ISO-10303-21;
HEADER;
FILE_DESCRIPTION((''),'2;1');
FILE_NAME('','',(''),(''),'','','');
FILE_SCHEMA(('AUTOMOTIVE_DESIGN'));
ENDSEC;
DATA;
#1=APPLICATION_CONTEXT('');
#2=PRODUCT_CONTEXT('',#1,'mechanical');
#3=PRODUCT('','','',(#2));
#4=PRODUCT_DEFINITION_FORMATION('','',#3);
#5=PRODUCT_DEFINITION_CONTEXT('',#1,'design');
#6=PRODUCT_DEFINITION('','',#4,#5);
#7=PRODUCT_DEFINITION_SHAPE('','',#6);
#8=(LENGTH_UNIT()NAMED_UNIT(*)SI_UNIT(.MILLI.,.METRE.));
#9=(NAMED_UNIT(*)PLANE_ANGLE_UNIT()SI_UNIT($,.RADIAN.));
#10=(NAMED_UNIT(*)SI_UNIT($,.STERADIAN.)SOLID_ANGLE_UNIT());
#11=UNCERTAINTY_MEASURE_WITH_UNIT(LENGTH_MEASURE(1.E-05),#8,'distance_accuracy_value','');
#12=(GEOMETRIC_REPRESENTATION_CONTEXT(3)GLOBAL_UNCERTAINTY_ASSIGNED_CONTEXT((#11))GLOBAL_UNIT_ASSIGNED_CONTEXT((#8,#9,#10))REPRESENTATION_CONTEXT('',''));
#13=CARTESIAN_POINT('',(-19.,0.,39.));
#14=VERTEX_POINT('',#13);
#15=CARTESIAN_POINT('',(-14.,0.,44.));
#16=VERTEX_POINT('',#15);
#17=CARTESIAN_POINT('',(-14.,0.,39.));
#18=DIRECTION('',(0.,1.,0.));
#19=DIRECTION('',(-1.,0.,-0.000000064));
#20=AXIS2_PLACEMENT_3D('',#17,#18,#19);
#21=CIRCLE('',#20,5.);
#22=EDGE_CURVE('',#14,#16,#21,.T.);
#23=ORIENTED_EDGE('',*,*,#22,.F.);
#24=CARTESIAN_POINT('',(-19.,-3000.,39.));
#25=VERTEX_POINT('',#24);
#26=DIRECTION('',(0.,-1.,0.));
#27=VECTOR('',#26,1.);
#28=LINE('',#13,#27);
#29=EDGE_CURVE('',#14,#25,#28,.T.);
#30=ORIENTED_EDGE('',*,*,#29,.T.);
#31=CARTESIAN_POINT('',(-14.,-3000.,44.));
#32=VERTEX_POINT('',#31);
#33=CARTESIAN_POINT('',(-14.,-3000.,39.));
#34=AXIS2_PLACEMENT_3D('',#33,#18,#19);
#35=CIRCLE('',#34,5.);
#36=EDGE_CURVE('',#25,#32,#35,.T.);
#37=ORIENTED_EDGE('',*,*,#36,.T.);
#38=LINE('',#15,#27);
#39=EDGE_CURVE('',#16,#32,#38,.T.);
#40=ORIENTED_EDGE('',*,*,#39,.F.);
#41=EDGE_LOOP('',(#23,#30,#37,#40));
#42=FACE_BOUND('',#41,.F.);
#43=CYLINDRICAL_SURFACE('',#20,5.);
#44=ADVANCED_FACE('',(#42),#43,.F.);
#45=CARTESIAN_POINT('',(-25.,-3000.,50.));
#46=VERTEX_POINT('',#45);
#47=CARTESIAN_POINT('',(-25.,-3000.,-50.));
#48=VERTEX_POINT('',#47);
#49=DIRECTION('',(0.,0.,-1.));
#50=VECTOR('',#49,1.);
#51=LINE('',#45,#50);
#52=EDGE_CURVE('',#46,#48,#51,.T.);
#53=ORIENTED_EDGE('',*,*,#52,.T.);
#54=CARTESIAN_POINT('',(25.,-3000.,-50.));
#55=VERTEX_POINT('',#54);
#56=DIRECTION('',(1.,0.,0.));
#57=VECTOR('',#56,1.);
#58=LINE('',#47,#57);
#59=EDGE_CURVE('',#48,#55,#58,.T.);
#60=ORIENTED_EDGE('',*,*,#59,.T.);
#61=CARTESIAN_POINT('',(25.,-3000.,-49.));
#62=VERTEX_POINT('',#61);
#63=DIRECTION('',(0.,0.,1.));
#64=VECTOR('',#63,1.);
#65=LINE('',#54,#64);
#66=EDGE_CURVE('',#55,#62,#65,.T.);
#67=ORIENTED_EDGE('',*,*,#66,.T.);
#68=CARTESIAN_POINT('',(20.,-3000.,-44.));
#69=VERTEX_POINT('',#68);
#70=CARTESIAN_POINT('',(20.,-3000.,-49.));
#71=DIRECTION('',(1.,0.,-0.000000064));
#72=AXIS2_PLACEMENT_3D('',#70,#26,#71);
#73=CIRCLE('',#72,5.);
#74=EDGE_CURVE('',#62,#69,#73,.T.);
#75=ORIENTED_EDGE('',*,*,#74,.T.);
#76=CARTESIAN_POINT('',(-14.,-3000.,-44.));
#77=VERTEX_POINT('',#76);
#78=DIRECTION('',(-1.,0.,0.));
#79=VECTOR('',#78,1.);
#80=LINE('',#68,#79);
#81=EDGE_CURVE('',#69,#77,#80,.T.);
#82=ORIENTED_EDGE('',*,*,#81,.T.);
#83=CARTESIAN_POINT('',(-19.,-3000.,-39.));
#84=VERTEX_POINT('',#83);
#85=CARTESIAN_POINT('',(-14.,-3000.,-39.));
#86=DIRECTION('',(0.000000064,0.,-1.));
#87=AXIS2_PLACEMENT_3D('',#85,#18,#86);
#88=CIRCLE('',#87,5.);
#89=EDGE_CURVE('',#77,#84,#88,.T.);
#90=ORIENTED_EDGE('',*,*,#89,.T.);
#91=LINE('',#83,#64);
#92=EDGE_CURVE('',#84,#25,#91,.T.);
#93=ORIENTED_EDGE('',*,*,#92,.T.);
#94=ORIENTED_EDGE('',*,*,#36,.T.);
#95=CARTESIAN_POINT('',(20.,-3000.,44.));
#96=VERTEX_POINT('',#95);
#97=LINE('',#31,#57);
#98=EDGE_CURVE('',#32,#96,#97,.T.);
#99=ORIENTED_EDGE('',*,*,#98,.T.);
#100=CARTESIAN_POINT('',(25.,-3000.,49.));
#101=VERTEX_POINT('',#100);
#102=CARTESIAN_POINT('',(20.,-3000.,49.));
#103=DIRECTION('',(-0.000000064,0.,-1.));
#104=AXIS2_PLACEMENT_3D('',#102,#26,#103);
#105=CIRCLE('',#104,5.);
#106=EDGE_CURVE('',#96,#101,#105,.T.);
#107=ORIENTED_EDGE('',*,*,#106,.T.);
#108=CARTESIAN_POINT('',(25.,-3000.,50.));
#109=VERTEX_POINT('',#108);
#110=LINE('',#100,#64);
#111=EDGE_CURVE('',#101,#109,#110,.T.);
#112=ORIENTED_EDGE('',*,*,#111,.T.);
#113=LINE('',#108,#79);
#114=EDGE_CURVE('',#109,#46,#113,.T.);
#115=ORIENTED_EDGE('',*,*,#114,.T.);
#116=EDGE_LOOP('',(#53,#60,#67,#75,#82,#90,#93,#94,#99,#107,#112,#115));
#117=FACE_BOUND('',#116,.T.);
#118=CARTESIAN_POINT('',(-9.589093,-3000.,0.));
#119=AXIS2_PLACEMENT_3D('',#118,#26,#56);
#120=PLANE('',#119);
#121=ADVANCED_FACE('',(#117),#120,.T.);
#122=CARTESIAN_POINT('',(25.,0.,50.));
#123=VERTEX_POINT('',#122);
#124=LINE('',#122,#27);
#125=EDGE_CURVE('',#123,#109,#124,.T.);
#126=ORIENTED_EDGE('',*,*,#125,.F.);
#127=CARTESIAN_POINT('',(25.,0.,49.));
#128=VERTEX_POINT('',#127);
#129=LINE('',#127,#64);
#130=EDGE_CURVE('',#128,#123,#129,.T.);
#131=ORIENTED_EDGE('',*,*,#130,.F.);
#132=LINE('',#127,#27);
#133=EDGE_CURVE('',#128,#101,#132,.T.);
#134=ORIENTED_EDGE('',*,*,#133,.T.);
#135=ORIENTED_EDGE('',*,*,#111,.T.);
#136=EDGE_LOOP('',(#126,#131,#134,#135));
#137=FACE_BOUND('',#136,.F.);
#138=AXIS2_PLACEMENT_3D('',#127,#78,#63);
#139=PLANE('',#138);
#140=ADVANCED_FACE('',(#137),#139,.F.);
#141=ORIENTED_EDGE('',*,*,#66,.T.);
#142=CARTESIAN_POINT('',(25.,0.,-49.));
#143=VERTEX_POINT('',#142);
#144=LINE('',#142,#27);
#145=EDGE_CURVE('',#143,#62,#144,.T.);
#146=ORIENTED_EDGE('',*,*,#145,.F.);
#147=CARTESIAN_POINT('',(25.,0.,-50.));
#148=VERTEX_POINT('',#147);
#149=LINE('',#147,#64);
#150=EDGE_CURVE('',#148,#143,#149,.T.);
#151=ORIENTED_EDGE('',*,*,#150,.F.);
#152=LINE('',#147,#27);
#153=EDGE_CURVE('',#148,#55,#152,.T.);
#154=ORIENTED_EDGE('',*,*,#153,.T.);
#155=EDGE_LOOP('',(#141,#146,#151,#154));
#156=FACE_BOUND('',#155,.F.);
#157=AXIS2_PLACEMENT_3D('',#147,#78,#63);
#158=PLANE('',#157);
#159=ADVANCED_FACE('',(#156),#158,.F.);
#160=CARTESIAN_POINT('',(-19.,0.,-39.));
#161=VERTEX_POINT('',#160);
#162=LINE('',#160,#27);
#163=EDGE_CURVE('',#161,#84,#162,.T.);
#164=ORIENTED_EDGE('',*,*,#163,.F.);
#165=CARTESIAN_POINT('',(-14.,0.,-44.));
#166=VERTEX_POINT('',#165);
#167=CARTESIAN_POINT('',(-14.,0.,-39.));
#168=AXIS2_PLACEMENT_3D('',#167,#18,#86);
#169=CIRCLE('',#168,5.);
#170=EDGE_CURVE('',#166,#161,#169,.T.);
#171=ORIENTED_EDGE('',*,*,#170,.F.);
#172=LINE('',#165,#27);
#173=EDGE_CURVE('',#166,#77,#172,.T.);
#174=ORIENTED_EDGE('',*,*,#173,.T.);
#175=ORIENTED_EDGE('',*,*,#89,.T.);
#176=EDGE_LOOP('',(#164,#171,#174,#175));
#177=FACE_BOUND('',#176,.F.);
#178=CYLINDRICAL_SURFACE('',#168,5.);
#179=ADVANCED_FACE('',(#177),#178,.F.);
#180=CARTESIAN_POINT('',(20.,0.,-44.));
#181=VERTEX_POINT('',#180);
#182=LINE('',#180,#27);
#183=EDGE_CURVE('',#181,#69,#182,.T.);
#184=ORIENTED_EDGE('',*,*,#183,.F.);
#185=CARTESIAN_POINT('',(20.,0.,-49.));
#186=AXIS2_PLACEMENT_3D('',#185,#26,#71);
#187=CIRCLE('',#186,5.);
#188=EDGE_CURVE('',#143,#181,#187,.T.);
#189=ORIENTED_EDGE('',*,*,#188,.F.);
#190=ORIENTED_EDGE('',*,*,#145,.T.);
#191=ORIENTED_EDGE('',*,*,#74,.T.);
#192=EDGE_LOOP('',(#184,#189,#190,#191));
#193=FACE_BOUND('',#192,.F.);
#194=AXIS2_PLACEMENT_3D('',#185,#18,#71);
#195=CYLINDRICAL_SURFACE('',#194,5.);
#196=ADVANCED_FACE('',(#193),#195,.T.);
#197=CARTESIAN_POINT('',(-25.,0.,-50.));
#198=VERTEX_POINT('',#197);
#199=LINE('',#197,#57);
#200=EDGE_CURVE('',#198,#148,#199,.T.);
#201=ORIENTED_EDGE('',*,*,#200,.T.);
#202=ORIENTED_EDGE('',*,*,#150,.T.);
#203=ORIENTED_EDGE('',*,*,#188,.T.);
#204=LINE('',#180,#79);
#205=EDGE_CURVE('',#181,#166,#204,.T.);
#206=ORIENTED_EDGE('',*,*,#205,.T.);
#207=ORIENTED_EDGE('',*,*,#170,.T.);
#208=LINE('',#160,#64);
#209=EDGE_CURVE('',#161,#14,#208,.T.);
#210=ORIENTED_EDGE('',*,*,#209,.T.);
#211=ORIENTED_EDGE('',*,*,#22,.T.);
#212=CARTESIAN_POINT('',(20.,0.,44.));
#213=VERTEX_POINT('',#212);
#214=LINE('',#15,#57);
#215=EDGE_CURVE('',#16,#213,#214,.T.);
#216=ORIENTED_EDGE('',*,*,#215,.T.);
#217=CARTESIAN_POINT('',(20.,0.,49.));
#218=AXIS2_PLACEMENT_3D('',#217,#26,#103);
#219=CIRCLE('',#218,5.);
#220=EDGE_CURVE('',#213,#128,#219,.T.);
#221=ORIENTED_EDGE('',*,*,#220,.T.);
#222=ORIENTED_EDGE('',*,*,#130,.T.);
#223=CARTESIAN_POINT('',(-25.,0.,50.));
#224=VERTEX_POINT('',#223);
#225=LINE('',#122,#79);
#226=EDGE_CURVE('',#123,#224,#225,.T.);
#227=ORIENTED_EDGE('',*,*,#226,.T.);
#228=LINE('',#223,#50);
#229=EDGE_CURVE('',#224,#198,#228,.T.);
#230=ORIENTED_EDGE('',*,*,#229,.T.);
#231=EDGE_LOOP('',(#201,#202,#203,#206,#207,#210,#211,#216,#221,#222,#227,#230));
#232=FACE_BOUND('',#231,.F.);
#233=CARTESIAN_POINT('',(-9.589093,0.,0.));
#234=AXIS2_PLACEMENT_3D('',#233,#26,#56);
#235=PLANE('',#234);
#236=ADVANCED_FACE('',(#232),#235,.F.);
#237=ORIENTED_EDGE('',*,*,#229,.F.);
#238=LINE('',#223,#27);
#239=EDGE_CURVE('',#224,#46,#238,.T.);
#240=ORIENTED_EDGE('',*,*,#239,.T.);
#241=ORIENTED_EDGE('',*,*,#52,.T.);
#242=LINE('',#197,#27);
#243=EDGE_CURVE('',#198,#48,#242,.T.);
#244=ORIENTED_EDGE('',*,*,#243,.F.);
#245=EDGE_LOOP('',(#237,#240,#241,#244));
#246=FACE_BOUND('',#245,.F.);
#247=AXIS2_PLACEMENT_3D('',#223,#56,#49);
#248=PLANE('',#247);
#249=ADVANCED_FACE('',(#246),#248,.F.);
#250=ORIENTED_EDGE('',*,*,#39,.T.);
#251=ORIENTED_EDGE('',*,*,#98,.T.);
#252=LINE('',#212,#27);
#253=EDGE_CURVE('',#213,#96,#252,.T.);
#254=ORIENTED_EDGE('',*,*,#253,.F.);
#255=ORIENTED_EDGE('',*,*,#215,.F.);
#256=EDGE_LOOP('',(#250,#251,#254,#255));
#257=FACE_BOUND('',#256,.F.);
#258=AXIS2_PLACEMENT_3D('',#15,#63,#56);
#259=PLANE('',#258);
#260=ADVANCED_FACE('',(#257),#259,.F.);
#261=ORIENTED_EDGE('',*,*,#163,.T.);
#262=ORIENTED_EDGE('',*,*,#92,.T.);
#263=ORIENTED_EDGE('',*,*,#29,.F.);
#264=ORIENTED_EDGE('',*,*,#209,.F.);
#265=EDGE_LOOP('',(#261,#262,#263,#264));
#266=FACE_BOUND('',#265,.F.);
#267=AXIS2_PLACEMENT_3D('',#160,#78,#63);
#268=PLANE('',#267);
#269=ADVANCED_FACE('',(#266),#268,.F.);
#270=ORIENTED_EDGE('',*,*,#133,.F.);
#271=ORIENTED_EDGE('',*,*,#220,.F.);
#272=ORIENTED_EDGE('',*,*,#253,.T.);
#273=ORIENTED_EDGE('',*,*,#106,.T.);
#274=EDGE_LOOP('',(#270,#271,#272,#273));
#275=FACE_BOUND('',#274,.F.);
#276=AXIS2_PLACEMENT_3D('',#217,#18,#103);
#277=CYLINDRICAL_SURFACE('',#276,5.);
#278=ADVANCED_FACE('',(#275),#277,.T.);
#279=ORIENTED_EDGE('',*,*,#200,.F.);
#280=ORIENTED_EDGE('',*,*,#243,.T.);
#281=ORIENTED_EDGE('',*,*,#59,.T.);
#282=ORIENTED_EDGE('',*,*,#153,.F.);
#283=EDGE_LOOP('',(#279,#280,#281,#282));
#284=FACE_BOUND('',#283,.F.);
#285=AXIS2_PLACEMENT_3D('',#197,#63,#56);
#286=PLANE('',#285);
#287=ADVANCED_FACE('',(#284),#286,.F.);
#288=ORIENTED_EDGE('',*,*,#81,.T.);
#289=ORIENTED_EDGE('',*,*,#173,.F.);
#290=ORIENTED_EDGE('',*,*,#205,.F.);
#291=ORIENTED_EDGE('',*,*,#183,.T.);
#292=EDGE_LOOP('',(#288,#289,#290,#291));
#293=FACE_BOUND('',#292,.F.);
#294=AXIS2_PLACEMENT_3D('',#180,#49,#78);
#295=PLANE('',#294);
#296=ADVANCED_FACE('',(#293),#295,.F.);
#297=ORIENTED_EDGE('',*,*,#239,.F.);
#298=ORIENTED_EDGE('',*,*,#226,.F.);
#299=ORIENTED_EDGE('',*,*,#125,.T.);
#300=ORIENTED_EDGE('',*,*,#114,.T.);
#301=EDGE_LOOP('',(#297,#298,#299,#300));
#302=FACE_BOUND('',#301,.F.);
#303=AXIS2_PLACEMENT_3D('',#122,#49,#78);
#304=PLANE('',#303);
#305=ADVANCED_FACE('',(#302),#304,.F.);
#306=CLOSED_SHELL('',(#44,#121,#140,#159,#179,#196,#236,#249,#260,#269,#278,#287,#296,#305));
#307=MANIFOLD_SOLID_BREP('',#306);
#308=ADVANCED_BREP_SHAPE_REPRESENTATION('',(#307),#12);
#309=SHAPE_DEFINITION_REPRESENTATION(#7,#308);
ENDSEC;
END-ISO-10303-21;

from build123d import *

# Parameters (mm, degrees)
F1_DEPTH = 3000


with BuildPart() as f1:
    # F0 (on Front) → F1 (new body)
    with BuildSketch(Plane.XZ):
        with BuildLine():
            Line((-25, -50), (25, -50))
            Line((25, -50), (25, -49))
            ThreePointArc((25, -49), (23.535534, -45.464466), (20, -44))
            Line((20, -44), (-14, -44))
            ThreePointArc((-14, -44), (-17.535534, -42.535534), (-19, -39))
            Line((-19, -39), (-19, 39))
            ThreePointArc((-19, 39), (-17.535534, 42.535534), (-14, 44))
            Line((-14, 44), (20, 44))
            ThreePointArc((20, 44), (23.535534, 45.464466), (25, 49))
            Line((25, 49), (25, 50))
            Line((25, 50), (-25, 50))
            Line((-25, 50), (-25, -50))
        make_face()
    extrude(amount=F1_DEPTH)


solid = f1.part
